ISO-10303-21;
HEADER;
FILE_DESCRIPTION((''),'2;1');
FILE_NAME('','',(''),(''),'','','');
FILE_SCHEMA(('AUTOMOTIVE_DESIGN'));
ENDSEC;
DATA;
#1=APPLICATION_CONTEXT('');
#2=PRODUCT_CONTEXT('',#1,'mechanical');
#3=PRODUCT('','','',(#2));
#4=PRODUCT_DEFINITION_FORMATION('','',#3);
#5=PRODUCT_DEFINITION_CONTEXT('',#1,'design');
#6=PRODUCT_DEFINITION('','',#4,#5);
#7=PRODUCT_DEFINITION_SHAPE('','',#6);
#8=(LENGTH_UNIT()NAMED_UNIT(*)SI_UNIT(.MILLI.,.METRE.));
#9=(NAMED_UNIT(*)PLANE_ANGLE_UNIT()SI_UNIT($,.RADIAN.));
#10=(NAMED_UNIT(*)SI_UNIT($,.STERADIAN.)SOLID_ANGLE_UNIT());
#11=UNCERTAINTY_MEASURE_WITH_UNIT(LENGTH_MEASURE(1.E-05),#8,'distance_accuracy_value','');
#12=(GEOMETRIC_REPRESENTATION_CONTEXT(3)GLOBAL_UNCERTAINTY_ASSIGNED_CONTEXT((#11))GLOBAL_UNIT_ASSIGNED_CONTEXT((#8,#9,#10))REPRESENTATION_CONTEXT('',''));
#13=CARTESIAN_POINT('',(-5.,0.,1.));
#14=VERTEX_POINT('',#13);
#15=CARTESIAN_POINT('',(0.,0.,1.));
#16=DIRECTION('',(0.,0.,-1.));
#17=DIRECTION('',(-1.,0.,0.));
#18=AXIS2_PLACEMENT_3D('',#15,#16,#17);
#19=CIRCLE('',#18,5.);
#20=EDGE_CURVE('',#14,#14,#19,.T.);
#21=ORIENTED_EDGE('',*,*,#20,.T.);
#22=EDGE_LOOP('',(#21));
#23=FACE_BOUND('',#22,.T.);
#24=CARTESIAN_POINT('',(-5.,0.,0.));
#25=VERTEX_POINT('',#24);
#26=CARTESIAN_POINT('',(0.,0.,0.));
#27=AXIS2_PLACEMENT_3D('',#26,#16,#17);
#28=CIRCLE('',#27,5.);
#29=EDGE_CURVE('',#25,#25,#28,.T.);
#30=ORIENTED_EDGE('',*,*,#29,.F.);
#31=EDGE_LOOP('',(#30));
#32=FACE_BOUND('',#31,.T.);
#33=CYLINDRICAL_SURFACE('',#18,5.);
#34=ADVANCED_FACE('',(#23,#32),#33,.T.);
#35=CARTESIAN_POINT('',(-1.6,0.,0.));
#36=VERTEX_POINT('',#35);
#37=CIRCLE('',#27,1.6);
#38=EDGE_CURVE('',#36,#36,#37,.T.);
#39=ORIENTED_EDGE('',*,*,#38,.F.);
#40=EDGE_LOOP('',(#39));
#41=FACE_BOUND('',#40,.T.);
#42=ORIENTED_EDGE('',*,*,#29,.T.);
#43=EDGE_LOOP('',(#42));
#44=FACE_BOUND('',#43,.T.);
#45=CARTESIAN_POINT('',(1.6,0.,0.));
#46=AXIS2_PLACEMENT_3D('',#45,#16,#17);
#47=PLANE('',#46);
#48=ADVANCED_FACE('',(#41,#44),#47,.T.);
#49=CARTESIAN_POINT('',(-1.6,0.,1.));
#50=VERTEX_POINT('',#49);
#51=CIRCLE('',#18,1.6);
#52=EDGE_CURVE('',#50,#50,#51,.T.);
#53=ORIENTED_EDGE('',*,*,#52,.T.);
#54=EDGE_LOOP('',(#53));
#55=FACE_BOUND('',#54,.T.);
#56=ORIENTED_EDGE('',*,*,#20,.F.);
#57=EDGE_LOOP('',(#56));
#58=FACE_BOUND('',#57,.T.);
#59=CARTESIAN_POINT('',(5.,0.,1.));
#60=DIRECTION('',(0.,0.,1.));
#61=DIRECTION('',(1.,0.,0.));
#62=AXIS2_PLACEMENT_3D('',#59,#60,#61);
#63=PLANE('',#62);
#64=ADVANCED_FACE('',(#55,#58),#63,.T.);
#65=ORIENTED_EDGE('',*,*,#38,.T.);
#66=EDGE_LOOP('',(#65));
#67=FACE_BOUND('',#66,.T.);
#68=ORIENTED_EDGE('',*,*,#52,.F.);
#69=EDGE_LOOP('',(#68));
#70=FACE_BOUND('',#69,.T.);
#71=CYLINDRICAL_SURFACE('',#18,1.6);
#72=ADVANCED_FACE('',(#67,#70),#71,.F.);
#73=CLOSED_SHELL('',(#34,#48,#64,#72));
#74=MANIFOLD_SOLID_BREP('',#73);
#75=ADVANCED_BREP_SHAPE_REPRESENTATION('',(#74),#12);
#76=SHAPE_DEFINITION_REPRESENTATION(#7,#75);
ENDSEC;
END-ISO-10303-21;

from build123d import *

# Parameters (mm, degrees)
SKETCH1_W = 3.4
SKETCH1_H = 1


with BuildPart() as part:
    # Sketch1 → Revolve1 (revolve)
    with BuildSketch(Plane.XZ):
        with Locations((3.3, 0.5)):
            Rectangle(SKETCH1_W, SKETCH1_H)
    revolve(axis=Axis((0, 0, 1), (0, 0, -1)))


solid = part.part
